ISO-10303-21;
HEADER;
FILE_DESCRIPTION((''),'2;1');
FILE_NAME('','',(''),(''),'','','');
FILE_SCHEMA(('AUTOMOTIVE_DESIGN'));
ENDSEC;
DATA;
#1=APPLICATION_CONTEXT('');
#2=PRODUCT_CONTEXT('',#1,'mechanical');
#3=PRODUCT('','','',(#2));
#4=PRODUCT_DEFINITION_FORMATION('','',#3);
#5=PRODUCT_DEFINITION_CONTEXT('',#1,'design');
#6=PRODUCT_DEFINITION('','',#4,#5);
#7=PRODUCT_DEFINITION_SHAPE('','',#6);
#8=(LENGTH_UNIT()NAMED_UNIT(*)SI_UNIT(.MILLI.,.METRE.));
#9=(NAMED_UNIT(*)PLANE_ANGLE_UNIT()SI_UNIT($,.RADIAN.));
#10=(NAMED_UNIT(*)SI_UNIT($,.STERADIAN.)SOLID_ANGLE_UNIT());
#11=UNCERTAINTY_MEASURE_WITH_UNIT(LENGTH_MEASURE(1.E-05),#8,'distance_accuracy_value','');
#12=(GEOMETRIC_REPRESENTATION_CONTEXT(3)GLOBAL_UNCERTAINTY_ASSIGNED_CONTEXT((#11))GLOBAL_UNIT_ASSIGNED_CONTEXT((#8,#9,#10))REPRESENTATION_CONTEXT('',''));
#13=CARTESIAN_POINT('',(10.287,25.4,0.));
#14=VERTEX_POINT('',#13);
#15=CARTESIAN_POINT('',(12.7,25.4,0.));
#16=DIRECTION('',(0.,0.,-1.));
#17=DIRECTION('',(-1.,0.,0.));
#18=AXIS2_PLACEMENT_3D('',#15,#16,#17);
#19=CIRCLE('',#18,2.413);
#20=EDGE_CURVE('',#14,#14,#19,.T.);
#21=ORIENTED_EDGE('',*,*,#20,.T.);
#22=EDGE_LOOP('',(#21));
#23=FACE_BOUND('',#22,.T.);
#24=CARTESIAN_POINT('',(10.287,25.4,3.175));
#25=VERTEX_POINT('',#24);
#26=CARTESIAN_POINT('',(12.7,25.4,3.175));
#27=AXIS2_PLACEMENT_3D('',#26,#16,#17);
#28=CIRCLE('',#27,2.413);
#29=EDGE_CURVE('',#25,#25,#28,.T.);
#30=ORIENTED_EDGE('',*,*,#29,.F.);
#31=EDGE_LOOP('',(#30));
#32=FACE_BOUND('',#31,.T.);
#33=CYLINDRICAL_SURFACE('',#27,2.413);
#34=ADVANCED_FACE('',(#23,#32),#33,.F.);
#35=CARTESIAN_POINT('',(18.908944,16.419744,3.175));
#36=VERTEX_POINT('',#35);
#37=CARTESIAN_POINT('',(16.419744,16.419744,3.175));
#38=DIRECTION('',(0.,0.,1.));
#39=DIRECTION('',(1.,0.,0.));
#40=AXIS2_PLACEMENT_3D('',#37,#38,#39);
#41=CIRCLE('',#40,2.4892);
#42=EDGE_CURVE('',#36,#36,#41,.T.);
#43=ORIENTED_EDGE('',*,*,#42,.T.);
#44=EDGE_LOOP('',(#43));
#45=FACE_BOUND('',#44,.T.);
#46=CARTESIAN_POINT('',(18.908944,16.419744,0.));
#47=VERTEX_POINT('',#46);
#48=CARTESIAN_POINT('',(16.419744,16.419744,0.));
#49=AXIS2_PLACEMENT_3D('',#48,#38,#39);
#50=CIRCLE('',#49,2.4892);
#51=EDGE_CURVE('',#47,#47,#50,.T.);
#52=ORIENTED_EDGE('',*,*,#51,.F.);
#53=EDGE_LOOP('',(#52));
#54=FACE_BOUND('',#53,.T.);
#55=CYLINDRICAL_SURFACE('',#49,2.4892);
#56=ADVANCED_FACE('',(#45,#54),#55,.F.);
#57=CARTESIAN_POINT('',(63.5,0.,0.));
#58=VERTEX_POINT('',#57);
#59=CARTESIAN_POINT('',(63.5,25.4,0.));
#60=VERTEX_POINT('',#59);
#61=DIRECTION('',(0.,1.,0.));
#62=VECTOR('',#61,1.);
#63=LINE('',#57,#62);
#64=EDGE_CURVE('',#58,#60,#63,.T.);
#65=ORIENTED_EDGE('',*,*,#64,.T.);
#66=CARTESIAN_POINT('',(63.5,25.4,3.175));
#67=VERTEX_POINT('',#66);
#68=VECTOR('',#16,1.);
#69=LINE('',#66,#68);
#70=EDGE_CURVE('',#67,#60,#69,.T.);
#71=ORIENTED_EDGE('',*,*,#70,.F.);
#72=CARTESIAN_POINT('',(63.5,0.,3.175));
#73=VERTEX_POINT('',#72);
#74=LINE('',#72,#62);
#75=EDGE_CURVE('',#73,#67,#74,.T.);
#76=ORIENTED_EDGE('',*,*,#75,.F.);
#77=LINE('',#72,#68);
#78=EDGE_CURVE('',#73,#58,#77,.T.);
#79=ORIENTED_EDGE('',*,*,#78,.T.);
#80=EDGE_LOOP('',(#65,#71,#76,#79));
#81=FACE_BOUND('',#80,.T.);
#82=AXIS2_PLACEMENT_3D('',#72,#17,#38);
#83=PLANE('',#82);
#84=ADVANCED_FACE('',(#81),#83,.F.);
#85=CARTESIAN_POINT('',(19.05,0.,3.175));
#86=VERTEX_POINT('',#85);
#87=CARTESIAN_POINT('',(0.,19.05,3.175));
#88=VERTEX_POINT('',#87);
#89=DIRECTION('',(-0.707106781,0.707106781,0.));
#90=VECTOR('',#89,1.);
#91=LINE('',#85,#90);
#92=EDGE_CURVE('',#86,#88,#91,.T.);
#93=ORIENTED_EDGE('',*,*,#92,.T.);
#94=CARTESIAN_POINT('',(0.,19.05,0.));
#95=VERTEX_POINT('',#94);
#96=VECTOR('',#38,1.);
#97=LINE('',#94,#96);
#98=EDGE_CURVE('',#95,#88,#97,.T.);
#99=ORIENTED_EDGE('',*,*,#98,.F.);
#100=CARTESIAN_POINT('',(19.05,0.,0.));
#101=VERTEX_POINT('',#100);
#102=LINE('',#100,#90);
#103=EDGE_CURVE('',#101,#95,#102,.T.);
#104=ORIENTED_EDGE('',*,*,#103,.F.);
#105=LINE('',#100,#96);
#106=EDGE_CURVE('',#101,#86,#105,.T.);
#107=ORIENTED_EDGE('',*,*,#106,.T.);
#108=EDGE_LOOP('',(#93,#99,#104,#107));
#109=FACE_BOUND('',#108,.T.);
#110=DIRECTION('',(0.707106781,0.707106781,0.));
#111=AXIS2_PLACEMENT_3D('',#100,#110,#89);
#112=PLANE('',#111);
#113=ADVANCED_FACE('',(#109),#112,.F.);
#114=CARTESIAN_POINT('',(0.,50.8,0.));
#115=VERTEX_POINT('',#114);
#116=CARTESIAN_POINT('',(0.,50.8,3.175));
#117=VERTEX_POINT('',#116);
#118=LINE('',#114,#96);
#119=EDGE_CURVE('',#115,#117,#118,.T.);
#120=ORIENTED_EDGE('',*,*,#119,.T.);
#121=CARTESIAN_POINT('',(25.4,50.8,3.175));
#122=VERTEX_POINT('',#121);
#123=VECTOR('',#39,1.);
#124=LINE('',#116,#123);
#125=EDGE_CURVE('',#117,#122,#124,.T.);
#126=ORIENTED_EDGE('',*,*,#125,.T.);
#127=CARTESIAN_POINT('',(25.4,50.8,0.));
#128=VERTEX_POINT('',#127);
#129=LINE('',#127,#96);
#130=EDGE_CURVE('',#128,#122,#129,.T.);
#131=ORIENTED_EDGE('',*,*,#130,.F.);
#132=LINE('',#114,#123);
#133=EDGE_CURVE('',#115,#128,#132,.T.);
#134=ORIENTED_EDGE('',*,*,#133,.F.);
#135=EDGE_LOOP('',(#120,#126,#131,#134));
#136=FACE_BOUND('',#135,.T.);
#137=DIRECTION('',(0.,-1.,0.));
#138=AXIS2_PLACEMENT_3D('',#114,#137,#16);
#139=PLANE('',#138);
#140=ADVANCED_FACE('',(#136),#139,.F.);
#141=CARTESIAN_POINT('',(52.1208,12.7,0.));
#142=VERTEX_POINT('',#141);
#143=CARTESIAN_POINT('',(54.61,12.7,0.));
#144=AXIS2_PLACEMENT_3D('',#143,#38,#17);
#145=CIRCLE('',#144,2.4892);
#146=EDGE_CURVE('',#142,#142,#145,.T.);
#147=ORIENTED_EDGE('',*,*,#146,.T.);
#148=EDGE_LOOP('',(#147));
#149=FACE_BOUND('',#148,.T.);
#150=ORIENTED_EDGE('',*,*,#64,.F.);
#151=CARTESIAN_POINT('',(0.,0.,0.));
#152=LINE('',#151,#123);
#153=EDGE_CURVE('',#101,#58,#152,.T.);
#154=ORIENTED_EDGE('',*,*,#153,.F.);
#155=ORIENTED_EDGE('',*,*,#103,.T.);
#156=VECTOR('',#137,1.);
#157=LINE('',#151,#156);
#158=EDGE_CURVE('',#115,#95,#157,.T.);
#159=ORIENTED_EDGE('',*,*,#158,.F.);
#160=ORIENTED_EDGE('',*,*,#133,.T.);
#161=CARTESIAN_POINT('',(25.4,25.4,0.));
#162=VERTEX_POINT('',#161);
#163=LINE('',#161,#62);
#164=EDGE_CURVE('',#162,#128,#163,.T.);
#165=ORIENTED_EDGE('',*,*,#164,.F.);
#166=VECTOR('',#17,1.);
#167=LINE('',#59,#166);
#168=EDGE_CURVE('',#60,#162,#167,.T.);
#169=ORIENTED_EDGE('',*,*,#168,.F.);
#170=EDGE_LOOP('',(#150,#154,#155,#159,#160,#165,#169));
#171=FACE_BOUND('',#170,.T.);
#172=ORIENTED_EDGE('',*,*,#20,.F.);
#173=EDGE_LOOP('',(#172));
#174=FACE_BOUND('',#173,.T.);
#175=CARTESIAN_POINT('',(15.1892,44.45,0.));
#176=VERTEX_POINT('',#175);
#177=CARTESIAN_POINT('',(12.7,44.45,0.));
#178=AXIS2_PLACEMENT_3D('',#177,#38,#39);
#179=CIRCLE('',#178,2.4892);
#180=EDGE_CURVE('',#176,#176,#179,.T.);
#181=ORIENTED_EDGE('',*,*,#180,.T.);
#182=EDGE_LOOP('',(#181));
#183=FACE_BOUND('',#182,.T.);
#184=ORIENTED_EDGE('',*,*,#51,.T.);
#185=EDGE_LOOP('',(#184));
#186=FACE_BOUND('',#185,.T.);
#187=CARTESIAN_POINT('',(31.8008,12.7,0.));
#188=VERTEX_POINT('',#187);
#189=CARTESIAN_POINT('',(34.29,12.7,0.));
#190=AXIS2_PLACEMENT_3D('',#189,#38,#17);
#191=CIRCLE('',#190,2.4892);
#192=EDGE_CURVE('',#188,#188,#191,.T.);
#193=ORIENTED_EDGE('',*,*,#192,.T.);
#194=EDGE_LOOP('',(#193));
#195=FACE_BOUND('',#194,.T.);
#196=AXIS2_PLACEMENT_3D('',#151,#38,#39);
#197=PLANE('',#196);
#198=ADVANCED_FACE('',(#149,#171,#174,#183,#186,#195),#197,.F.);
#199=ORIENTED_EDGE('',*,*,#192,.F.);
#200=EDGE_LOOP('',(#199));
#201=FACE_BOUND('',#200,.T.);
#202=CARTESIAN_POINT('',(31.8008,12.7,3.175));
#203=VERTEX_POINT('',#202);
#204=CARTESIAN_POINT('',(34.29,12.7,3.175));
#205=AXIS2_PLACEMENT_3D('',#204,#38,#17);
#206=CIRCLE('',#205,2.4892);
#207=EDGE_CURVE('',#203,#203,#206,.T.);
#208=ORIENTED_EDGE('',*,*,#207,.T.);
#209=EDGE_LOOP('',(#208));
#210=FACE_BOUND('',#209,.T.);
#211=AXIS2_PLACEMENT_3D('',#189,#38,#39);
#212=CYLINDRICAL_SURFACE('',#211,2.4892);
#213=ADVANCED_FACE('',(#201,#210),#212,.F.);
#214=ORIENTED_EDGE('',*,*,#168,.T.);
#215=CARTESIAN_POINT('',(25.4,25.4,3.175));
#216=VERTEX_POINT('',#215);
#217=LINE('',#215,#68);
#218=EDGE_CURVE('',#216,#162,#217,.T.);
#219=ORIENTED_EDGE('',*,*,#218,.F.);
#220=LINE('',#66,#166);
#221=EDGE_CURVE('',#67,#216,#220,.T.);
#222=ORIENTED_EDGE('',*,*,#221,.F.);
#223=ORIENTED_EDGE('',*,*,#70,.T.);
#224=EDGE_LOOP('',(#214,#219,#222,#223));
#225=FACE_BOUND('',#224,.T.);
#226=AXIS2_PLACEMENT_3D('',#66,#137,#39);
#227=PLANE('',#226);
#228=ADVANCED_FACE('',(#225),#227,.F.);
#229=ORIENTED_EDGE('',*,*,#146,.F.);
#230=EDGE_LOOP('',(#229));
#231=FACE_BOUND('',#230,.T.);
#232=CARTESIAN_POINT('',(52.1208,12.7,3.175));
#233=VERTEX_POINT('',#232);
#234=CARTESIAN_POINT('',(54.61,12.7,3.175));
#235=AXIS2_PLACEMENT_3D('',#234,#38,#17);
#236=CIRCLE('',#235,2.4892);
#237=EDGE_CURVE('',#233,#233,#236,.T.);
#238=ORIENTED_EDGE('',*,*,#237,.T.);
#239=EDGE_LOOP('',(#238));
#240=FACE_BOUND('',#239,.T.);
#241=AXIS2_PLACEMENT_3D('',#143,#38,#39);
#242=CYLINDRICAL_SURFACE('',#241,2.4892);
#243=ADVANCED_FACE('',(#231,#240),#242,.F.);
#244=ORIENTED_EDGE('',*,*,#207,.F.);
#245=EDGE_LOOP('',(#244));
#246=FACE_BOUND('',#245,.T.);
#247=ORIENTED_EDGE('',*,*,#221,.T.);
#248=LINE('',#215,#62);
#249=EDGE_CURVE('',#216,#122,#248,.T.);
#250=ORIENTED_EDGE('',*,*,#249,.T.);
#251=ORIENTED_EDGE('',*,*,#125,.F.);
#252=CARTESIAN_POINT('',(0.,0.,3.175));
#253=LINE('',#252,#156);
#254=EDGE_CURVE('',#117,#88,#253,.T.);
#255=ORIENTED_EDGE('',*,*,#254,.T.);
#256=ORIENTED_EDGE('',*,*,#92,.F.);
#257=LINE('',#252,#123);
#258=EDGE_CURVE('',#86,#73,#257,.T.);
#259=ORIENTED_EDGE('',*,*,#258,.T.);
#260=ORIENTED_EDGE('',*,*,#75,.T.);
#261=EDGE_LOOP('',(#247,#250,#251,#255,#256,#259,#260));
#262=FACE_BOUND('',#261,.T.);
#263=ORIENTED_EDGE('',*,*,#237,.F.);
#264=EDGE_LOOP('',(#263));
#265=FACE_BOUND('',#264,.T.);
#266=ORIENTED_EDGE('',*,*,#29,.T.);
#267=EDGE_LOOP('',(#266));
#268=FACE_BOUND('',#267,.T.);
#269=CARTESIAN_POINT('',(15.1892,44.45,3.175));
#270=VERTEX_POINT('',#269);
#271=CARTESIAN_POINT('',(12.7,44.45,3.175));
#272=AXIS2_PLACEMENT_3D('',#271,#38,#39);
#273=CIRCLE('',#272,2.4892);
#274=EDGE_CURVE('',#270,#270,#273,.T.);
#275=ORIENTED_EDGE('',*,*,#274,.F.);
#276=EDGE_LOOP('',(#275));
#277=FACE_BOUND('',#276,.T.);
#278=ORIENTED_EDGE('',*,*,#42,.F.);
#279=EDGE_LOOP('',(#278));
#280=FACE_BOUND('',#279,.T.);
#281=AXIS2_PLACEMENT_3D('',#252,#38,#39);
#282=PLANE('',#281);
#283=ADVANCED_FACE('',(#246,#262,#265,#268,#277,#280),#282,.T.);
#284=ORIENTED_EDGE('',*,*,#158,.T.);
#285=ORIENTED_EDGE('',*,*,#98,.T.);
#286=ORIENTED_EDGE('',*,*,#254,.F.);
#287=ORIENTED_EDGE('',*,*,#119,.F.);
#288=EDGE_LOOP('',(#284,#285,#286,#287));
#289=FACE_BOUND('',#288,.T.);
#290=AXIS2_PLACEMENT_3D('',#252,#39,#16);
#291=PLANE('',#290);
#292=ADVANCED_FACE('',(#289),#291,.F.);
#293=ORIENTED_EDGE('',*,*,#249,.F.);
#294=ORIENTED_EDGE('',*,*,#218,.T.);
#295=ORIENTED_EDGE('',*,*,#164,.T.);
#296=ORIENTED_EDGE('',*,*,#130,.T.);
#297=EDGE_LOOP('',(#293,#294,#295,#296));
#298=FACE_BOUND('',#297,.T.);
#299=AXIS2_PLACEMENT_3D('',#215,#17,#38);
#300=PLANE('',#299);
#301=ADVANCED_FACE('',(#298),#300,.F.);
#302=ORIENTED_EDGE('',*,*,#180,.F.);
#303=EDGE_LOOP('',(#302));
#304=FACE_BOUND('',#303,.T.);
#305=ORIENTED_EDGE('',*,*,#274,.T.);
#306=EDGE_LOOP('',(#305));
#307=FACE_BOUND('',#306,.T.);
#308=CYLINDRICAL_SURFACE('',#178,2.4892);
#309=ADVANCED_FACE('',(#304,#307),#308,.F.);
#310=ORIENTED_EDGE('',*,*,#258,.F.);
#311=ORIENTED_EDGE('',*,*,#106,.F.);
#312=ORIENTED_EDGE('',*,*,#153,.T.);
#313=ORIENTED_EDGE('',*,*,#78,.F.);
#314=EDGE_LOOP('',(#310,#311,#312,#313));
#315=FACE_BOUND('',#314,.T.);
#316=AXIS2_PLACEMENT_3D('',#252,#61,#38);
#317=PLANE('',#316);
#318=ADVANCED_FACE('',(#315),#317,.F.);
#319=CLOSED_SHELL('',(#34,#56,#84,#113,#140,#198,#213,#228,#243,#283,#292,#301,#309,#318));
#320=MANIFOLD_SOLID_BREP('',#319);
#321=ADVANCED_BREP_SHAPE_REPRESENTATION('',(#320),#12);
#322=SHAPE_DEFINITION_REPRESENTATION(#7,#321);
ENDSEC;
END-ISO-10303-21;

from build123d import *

# Parameters (mm, degrees)
BOSS_EXTRUDE1_DEPTH = 3.175
SKETCH3_R           = 2.4892
CUT_EXTRUDE1_DEPTH  = 4.175
SKETCH4_R           = 2.413
CUT_EXTRUDE2_DEPTH  = 4.175
SKETCH5_W           = 25.4
SKETCH5_H           = 12.7
CUT_EXTRUDE3_DEPTH  = 4.175


with BuildPart() as part:
    # Sketch2 → Boss-Extrude1 (new body)
    with BuildSketch(Plane.XY):
        Polygon((0, 0), (0, 63.5), (25.4, 63.5), (25.4, 25.4), (63.5, 25.4), (63.5, 0), align=None)
    extrude(amount=BOSS_EXTRUDE1_DEPTH)

    # Sketch3 → Cut-Extrude1 (cut, through all)
    with BuildSketch(Plane.XY.offset(3.175)):
        with Locations((16.419743879, 16.419743879)):
            Circle(SKETCH3_R)
        with Locations((12.7, 54.61)):
            Circle(SKETCH3_R)
        with Locations((12.7, 44.45)):
            Circle(SKETCH3_R)
        with Locations((34.29, 12.7)):
            Circle(SKETCH3_R)
        with Locations((54.61, 12.7)):
            Circle(SKETCH3_R)
        Polygon((0, 0), (0, 19.05), (19.05, 0), align=None)
    extrude(amount=-CUT_EXTRUDE1_DEPTH, mode=Mode.SUBTRACT)

    # Sketch4 → Cut-Extrude2 (cut, through all)
    with BuildSketch(Plane(origin=(0, 0, 0), x_dir=(-1, 0, 0), z_dir=(0, 0, -1))):
        with Locations((-12.7, 25.4)):
            Circle(SKETCH4_R)
    extrude(amount=-CUT_EXTRUDE2_DEPTH, mode=Mode.SUBTRACT)

    # Sketch5 → Cut-Extrude3 (cut, through all)
    with BuildSketch(Plane.XY.offset(3.175)):
        with Locations((12.7, 57.15)):
            Rectangle(SKETCH5_W, SKETCH5_H)
    extrude(amount=-CUT_EXTRUDE3_DEPTH, mode=Mode.SUBTRACT)


solid = part.part
